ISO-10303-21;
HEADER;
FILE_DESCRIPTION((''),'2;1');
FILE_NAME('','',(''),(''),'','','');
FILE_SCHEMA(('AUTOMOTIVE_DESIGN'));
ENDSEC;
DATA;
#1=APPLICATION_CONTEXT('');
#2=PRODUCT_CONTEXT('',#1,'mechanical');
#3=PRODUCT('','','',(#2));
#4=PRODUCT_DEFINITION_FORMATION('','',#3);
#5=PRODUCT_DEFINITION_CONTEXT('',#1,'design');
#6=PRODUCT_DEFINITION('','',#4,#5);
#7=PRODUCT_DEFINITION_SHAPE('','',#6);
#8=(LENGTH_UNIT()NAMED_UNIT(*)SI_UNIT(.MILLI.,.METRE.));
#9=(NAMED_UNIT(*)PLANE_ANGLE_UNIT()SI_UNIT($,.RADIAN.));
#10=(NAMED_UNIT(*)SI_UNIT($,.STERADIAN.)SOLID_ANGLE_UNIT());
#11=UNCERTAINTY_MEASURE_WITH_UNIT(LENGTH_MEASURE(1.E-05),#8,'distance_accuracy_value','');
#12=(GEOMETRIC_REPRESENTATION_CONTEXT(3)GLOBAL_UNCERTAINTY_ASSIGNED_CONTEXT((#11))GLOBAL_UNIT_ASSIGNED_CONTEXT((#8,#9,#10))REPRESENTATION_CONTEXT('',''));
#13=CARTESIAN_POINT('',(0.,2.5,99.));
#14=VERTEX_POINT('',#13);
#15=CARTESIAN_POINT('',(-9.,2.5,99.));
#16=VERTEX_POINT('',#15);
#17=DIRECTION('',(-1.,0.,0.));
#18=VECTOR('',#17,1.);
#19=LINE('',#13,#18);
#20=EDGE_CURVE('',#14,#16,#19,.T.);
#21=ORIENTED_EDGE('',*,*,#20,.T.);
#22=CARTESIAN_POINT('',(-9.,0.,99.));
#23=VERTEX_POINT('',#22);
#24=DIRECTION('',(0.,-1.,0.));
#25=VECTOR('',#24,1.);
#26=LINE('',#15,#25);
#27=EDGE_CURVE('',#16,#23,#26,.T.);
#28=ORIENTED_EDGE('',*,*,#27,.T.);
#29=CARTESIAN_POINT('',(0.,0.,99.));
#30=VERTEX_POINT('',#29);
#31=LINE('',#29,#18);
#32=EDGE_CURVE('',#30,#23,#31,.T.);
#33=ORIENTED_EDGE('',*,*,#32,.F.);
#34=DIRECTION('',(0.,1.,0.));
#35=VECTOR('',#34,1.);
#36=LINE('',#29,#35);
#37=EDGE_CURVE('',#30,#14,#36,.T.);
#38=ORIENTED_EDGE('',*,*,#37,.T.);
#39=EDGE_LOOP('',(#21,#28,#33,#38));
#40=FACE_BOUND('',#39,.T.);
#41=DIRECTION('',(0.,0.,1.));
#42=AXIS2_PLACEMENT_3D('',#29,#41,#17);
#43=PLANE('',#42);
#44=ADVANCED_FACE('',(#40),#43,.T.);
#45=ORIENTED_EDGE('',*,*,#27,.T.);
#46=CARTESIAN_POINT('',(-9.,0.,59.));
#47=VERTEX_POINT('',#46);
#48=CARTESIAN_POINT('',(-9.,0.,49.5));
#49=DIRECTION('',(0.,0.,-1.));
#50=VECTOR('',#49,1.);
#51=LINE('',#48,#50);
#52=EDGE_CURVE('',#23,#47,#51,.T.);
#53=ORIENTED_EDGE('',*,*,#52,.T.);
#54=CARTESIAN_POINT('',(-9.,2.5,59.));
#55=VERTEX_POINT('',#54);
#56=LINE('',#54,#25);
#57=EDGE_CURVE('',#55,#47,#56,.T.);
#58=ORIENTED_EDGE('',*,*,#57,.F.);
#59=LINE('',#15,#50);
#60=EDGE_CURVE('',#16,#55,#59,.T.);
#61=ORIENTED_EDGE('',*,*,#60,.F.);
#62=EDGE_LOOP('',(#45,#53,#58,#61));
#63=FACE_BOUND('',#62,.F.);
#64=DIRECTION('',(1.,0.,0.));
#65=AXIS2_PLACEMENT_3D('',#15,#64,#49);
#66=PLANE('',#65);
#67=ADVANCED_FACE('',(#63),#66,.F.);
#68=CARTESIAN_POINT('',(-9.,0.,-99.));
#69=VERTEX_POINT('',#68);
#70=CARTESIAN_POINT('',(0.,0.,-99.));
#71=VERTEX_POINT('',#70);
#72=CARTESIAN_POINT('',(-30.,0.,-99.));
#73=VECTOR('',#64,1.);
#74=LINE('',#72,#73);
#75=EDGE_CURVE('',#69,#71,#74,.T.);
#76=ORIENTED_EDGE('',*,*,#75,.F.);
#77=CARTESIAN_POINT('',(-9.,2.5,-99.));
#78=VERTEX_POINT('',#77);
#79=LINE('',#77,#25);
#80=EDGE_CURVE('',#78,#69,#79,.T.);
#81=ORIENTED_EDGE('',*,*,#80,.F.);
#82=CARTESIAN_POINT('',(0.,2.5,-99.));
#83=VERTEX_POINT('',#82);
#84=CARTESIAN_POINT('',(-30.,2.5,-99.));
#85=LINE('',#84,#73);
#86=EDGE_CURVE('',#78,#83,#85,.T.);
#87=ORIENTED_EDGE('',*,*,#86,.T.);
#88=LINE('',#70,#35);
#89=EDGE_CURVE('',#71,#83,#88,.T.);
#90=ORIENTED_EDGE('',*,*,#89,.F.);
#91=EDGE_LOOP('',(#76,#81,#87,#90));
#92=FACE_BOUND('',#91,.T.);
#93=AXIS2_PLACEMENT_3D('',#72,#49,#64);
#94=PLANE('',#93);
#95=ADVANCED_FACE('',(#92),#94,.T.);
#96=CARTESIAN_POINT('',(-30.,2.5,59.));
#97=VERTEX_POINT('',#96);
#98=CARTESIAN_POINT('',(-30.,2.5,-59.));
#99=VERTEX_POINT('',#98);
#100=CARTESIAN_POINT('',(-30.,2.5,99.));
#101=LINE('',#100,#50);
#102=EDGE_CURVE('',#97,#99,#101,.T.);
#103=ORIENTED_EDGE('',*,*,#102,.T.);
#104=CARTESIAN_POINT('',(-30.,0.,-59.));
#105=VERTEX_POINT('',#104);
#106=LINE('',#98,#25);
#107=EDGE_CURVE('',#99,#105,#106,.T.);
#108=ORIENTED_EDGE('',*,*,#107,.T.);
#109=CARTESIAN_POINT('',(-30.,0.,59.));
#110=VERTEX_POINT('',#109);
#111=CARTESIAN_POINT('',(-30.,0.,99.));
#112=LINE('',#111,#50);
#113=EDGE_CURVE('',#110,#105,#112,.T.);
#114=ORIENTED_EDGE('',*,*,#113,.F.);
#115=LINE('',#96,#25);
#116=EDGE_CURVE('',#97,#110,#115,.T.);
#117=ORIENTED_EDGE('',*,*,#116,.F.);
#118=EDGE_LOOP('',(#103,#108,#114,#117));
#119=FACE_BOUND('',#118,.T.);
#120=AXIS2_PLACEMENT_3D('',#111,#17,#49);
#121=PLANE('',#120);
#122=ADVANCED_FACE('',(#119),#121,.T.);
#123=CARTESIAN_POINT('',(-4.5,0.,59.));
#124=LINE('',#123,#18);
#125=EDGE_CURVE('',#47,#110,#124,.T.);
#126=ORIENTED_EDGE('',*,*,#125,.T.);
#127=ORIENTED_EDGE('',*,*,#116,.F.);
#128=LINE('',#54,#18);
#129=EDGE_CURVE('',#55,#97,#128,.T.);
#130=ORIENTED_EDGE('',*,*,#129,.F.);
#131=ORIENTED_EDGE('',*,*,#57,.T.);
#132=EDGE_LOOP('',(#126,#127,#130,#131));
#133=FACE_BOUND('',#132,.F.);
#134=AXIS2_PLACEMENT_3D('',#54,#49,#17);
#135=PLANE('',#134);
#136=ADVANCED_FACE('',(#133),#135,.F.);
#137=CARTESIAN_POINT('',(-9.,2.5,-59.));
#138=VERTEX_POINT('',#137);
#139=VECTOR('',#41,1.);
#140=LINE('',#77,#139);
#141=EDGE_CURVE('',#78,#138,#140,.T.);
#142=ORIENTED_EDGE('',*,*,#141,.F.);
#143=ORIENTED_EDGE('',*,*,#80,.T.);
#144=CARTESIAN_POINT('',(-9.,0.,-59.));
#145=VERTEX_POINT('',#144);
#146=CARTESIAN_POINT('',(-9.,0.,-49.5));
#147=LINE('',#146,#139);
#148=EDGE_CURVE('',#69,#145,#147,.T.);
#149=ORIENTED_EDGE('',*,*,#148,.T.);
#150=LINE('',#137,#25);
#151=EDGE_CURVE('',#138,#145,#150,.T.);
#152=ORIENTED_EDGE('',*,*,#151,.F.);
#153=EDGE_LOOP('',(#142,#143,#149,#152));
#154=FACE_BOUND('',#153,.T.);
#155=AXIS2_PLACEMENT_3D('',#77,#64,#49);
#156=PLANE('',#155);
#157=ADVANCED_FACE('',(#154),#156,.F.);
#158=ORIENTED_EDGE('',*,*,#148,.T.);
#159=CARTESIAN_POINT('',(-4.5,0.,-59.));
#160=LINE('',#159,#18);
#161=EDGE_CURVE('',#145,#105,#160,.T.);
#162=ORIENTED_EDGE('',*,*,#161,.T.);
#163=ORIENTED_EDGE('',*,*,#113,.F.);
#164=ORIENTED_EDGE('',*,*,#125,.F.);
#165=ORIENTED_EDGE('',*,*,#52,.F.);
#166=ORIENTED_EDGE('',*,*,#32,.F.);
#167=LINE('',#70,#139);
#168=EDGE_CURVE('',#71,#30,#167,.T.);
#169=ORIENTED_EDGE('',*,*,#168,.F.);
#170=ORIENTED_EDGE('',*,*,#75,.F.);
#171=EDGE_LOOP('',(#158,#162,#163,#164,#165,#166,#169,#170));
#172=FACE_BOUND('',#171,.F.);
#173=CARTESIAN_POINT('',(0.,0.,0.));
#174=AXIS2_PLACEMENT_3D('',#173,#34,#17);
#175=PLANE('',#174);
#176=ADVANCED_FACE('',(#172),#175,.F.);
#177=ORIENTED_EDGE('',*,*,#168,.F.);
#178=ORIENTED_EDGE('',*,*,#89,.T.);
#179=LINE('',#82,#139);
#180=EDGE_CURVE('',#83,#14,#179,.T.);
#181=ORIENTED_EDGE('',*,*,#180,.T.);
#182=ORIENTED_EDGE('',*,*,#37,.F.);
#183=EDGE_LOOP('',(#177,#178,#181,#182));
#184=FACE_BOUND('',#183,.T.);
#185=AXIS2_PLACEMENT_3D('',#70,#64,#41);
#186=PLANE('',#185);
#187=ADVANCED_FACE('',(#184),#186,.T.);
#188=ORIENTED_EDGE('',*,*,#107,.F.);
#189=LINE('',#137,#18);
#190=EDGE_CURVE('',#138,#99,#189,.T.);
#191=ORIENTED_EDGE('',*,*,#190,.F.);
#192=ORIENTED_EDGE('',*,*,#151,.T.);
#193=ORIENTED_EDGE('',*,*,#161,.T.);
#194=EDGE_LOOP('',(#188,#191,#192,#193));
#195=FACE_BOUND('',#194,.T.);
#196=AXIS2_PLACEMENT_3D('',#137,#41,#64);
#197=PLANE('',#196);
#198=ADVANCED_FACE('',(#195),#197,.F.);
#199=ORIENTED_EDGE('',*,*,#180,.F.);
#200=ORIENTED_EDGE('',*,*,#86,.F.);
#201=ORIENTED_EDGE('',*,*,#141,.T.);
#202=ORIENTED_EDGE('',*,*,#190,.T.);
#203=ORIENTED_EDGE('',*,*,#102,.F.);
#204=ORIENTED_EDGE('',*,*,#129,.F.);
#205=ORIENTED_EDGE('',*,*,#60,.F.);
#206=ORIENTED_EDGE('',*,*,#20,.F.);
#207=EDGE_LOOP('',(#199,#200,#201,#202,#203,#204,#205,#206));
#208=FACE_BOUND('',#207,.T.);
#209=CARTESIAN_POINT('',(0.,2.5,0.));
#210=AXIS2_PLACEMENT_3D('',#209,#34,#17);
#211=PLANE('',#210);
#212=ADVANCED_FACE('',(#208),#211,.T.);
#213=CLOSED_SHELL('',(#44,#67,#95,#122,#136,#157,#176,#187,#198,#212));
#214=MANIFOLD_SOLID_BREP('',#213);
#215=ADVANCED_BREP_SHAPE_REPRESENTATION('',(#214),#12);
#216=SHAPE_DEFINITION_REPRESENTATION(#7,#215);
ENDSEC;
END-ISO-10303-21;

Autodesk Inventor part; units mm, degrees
ref_plane "YZ Plane" through (0, 0, 0) normal (1, 0, 0) x (0, 1, 0)
ref_plane "XZ Plane" through (0, 0, 0) normal (0, 1, 0) x (-1, 0, 0)
ref_plane "XY Plane" through (0, 0, 0) normal (0, 0, 1) x (1, 0, 0)
sketch "スケッチ1" plane through (0, 0, 0) normal (0, 1, 0) x (-1, 0, 0)
  line L0 (0, 99) -> (30, 99)
  line L1 (30, 99) -> (30, -99)
  line L2 (30, -99) -> (0, -99)
  line L3 (0, -99) -> (0, 99)
  point P0 (0, 0)
  point P1 (0, 0)
  dimension "d0" = 198
  dimension "d1" = 30
extrude "押し出し1" add sketch "スケッチ1" along normal blind 2.5
sketch "スケッチ2" plane through (0, 2.5, 0) normal (0, 1, 0) x (1, 0, 0)
  line L0 (-30, 99) -> (-30, -99) projected
  line L1 (-30, -99) -> (-9, -99)
  line L2 (-9, -99) -> (-9, -59)
  line L3 (-9, -59) -> (-30, -59)
  line L4 (-30, -59) -> (-30, -99)
  point P0 (0, 0)
  dimension "d4" = 40
  dimension "d7" = 21
extrude "押し出し2" cut sketch "スケッチ2" against normal through all
mirror "ミラー1" about plane through (0, 0, 0) normal (0, 0, 1) of "押し出し2"
properties part number "front_upper" material "木材 (カエデ材)"
